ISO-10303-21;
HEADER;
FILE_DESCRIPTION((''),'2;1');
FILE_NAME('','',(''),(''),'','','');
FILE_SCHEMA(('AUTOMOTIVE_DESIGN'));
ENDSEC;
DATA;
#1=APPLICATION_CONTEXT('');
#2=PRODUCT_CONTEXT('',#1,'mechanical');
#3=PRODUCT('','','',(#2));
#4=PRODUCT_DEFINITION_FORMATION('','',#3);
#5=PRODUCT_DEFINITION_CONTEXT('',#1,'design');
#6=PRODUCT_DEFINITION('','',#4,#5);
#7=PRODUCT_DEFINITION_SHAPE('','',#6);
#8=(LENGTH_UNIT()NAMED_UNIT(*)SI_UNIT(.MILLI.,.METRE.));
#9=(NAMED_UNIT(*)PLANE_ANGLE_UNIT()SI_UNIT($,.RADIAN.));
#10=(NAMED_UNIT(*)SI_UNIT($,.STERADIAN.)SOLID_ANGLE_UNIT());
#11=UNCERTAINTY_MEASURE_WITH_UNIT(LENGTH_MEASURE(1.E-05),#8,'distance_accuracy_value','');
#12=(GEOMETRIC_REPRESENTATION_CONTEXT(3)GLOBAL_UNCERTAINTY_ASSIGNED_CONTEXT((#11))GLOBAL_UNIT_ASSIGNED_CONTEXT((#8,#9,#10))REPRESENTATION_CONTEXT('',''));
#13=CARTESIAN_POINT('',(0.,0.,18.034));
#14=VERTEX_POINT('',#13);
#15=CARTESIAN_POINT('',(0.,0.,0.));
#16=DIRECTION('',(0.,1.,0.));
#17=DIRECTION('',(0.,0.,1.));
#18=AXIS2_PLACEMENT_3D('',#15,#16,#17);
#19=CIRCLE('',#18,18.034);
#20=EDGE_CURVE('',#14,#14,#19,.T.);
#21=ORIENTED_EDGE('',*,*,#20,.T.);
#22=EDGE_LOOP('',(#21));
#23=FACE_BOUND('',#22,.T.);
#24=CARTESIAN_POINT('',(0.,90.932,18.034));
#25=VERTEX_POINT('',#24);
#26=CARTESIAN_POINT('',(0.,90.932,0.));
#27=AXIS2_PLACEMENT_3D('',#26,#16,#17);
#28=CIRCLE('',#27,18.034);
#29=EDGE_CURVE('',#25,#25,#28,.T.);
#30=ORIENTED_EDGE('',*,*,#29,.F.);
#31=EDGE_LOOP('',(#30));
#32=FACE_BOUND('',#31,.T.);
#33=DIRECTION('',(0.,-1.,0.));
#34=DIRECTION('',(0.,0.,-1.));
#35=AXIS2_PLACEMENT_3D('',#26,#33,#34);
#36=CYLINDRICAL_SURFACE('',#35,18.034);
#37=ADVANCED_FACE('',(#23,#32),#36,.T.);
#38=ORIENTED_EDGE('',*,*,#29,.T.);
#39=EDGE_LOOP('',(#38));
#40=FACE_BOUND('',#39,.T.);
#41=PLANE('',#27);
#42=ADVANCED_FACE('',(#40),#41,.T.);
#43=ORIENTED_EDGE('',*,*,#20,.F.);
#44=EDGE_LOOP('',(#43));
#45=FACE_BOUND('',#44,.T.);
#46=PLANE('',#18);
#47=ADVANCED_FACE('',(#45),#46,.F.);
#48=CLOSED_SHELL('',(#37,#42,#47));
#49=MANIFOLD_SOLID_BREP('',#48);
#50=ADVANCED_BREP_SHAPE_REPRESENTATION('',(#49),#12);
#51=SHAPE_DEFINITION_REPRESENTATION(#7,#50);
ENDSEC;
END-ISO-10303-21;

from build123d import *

# Parameters (mm, degrees)
SKETCH2_R           = 18.034
BOSS_EXTRUDE1_DEPTH = 90.932


with BuildPart() as part:
    # Sketch2 → Boss-Extrude1 (new body)
    with BuildSketch(Plane(origin=(0, 0, 0), x_dir=(1, 0, 0), z_dir=(0, 1, 0))):
        Circle(SKETCH2_R)
    extrude(amount=BOSS_EXTRUDE1_DEPTH)


solid = part.part
